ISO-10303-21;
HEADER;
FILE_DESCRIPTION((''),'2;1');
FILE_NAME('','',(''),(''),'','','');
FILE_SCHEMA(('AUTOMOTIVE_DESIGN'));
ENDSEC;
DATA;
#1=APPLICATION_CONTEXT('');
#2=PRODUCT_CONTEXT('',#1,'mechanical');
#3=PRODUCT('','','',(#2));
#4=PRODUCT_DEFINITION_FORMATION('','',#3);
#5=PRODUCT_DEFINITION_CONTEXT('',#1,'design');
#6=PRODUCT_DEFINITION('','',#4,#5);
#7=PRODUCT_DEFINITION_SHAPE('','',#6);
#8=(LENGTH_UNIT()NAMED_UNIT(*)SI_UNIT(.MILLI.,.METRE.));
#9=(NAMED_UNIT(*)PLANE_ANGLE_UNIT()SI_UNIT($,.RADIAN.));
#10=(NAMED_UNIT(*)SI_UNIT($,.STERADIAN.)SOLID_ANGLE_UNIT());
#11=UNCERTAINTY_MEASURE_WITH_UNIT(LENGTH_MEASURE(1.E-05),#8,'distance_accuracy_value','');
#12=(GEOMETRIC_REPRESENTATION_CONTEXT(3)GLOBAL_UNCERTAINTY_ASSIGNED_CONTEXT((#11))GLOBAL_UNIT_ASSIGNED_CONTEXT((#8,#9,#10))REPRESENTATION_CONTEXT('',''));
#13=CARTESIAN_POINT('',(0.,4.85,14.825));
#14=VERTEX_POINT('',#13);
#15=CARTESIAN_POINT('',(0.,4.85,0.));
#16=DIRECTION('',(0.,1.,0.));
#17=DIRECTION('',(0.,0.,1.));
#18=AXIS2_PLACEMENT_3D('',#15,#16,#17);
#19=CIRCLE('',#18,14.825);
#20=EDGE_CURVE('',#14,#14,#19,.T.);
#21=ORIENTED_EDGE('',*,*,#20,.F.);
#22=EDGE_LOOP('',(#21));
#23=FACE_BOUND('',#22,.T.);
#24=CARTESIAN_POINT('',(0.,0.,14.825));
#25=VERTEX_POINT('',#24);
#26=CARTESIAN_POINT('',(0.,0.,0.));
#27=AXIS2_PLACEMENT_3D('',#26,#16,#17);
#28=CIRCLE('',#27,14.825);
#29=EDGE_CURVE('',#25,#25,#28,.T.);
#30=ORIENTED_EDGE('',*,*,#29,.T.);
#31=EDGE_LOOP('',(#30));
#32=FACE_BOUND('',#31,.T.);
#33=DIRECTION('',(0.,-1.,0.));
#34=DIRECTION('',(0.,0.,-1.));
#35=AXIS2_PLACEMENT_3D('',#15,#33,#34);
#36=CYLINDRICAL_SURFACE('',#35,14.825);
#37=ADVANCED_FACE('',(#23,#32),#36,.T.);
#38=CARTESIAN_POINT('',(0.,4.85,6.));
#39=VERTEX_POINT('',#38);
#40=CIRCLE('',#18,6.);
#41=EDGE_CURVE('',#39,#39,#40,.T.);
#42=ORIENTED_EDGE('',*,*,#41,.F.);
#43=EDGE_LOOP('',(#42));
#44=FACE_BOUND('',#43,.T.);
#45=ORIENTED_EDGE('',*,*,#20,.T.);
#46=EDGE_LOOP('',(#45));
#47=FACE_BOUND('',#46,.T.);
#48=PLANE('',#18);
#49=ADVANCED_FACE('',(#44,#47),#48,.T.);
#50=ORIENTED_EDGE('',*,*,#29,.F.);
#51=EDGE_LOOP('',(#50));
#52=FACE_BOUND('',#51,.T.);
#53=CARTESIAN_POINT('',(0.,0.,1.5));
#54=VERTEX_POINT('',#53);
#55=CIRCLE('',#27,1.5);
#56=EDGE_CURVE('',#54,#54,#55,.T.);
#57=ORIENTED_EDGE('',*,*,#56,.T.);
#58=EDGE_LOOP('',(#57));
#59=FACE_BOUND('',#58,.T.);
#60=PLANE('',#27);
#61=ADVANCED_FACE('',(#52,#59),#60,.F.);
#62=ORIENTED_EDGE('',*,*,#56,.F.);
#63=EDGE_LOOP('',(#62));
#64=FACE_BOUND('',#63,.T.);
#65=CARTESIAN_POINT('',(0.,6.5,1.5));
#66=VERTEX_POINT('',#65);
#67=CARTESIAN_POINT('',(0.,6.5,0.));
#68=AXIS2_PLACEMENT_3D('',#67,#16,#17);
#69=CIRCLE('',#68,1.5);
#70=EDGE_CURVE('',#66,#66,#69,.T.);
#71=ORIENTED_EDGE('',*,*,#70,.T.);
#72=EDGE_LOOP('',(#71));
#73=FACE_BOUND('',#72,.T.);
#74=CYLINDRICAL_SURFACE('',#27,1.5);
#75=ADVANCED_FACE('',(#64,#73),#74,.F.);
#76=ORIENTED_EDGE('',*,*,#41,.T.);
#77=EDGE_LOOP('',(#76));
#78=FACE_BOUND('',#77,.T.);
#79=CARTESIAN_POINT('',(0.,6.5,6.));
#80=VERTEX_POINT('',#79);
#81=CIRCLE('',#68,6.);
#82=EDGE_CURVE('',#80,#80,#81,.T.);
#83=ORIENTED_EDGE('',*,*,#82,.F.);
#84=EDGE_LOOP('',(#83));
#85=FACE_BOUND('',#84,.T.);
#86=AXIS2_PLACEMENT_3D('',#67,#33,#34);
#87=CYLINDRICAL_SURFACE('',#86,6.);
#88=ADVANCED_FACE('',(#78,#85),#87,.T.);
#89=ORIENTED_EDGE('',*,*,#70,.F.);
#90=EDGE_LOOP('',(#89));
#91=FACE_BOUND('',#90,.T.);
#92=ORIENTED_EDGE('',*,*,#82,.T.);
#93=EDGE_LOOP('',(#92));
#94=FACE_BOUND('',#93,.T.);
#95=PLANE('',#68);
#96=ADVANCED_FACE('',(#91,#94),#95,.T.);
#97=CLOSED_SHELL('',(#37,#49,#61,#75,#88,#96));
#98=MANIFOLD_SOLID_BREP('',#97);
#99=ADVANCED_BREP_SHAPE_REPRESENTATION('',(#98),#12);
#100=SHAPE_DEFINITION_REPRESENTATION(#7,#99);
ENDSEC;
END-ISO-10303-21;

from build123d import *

# Parameters (mm, degrees)
SKETCH1_R           = 14.825
BOSS_EXTRUDE1_DEPTH = 4.85
SKETCH2_R           = 6
BOSS_EXTRUDE2_DEPTH = 1.65
SKETCH3_R           = 1.5
CUT_EXTRUDE1_DEPTH  = 22.950199316


with BuildPart() as part:
    # Sketch1 → Boss-Extrude1 (new body)
    with BuildSketch(Plane(origin=(0, 0, 0), x_dir=(1, 0, 0), z_dir=(0, 1, 0))):
        with Locations(Location((0, 0, 0), (0, 0, 270))):
            Circle(SKETCH1_R)
    extrude(amount=BOSS_EXTRUDE1_DEPTH)

    # Sketch2 → Boss-Extrude2 (add)
    with BuildSketch(Plane(origin=(0, 4.85, 0), x_dir=(1, 0, 0), z_dir=(0, 1, 0))):
        with Locations(Location((0, 0, 0), (0, 0, 270))):
            Circle(SKETCH2_R)
    extrude(amount=BOSS_EXTRUDE2_DEPTH)

    # Sketch3 → Cut-Extrude1 (cut, through all)
    with BuildSketch(Plane(origin=(0, 6.5, 0), x_dir=(1, 0, 0), z_dir=(0, 1, 0))):
        with Locations(Location((0, 0, 0), (0, 0, 270))):
            Circle(SKETCH3_R)
    extrude(amount=-CUT_EXTRUDE1_DEPTH, mode=Mode.SUBTRACT)


solid = part.part
